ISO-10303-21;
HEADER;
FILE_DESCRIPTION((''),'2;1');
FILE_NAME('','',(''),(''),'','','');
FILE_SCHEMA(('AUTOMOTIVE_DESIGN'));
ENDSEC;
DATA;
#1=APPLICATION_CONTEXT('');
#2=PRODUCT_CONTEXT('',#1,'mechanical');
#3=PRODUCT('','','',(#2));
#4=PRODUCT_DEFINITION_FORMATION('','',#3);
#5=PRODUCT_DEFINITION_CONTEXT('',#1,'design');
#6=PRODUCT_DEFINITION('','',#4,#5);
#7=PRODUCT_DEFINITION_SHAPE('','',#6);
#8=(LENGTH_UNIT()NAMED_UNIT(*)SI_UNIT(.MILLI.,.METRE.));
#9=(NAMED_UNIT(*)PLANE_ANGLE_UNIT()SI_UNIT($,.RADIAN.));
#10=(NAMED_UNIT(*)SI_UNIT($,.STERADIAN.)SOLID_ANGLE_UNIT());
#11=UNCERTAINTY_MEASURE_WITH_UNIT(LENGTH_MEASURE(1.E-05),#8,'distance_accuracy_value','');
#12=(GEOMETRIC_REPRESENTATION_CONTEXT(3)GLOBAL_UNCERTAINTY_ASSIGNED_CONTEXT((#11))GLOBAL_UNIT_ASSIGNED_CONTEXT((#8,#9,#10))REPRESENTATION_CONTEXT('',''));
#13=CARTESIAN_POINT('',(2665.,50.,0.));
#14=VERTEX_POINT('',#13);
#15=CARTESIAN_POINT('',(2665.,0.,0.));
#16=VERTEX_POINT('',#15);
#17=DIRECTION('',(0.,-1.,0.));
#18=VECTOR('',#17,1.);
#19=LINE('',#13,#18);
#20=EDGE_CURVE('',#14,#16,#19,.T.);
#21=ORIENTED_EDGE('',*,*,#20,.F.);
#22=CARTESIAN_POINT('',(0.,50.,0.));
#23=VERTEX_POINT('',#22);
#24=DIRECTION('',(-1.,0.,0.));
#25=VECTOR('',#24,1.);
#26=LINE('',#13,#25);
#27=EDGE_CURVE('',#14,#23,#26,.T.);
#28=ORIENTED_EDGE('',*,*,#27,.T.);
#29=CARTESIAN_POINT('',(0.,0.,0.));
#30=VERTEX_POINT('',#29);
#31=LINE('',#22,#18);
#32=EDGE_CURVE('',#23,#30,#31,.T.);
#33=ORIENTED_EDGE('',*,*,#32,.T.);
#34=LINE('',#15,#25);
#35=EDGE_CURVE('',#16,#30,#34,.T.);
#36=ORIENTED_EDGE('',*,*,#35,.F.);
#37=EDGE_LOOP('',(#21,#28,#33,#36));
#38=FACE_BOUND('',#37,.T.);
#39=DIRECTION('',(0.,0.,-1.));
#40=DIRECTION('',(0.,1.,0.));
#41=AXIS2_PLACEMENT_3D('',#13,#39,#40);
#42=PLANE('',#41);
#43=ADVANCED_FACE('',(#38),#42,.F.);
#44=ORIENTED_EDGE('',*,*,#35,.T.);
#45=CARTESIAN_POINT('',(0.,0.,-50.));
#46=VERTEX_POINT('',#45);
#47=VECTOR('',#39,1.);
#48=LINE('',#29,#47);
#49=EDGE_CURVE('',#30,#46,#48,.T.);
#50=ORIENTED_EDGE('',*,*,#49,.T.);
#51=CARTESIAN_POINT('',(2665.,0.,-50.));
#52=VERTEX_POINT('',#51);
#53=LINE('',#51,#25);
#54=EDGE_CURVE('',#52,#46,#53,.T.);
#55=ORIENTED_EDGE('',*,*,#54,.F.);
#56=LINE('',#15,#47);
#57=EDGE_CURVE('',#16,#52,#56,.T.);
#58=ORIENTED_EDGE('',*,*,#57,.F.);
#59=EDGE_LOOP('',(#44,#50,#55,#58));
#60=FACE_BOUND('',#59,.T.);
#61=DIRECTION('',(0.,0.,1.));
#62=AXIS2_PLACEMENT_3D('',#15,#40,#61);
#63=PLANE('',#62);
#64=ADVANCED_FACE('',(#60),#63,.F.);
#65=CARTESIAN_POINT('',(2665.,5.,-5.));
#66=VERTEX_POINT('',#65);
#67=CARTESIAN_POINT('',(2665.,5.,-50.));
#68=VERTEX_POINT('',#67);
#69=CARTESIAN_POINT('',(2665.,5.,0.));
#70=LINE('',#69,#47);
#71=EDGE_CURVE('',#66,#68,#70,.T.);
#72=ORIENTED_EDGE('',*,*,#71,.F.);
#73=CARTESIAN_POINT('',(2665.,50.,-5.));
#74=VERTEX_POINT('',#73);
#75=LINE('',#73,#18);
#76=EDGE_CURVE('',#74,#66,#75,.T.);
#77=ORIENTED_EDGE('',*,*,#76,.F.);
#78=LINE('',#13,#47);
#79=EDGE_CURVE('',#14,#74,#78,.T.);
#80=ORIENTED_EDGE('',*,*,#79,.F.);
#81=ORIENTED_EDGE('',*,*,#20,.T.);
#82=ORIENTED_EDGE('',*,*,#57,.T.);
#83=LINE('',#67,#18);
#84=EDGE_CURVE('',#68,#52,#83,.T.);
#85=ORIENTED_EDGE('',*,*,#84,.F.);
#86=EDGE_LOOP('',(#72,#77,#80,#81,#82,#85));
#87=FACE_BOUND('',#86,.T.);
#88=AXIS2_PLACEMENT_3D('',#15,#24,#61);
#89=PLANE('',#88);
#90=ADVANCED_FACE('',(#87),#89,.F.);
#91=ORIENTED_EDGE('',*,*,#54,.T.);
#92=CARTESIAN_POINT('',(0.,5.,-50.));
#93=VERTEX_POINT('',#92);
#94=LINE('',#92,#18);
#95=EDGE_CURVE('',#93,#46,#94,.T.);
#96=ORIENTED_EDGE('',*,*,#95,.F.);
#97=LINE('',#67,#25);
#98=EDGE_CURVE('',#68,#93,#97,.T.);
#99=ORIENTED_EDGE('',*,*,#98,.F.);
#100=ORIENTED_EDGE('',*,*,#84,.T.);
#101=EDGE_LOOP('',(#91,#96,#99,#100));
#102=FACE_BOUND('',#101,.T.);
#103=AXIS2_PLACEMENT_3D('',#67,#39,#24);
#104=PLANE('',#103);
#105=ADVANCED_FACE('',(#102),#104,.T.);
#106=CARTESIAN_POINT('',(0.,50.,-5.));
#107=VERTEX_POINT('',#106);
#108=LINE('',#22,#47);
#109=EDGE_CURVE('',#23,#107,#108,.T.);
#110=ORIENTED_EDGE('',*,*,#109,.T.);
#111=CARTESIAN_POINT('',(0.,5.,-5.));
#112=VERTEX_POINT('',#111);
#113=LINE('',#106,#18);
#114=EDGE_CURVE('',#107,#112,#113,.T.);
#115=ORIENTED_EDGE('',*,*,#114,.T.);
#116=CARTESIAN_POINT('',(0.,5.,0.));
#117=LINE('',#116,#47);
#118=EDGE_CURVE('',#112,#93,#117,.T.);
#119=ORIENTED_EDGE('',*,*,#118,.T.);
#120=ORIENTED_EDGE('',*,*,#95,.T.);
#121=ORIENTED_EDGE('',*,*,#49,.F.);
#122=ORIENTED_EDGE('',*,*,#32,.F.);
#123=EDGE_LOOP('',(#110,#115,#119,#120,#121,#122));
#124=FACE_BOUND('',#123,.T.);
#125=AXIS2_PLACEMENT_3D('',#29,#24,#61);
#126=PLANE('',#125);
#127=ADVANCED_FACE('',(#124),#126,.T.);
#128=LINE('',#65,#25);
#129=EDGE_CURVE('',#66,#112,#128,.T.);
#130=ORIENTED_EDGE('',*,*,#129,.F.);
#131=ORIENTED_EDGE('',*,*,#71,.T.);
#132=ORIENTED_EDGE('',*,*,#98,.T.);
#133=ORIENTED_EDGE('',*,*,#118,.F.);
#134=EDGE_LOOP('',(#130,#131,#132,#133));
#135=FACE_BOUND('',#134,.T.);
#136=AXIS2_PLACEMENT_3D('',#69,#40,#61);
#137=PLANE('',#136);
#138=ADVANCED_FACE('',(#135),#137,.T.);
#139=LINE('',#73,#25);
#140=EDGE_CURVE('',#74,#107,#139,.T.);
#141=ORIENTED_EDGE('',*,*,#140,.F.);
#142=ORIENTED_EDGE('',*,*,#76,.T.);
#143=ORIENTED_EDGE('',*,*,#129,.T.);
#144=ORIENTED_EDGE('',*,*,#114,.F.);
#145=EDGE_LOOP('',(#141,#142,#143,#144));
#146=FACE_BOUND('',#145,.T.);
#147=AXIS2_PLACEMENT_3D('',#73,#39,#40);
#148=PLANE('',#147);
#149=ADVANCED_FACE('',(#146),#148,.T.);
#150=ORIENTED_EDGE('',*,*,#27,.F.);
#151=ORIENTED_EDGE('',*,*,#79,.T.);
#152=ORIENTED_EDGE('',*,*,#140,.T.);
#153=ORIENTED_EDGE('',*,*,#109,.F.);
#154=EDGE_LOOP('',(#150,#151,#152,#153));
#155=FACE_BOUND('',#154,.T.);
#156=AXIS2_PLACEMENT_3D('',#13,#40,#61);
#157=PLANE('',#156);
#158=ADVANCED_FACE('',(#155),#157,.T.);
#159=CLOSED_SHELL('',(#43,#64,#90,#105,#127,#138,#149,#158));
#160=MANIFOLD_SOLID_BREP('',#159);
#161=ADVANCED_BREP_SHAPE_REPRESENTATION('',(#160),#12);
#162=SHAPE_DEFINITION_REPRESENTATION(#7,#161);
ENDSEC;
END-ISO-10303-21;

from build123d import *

# Parameters (mm, degrees)
EXTRUDE_1_DEPTH = 2665


with BuildPart() as part:
    # Эскиз1 → Вытянуть-Тонкостенный1 (new body)
    with BuildSketch(Plane(origin=(0, 0, 0), x_dir=(0, 0, -1), z_dir=(1, 0, 0))):
        Polygon((0, 50), (0, 0), (50, 0), (50, 5), (5, 5), (5, 50), align=None)
    extrude(amount=EXTRUDE_1_DEPTH)


solid = part.part
